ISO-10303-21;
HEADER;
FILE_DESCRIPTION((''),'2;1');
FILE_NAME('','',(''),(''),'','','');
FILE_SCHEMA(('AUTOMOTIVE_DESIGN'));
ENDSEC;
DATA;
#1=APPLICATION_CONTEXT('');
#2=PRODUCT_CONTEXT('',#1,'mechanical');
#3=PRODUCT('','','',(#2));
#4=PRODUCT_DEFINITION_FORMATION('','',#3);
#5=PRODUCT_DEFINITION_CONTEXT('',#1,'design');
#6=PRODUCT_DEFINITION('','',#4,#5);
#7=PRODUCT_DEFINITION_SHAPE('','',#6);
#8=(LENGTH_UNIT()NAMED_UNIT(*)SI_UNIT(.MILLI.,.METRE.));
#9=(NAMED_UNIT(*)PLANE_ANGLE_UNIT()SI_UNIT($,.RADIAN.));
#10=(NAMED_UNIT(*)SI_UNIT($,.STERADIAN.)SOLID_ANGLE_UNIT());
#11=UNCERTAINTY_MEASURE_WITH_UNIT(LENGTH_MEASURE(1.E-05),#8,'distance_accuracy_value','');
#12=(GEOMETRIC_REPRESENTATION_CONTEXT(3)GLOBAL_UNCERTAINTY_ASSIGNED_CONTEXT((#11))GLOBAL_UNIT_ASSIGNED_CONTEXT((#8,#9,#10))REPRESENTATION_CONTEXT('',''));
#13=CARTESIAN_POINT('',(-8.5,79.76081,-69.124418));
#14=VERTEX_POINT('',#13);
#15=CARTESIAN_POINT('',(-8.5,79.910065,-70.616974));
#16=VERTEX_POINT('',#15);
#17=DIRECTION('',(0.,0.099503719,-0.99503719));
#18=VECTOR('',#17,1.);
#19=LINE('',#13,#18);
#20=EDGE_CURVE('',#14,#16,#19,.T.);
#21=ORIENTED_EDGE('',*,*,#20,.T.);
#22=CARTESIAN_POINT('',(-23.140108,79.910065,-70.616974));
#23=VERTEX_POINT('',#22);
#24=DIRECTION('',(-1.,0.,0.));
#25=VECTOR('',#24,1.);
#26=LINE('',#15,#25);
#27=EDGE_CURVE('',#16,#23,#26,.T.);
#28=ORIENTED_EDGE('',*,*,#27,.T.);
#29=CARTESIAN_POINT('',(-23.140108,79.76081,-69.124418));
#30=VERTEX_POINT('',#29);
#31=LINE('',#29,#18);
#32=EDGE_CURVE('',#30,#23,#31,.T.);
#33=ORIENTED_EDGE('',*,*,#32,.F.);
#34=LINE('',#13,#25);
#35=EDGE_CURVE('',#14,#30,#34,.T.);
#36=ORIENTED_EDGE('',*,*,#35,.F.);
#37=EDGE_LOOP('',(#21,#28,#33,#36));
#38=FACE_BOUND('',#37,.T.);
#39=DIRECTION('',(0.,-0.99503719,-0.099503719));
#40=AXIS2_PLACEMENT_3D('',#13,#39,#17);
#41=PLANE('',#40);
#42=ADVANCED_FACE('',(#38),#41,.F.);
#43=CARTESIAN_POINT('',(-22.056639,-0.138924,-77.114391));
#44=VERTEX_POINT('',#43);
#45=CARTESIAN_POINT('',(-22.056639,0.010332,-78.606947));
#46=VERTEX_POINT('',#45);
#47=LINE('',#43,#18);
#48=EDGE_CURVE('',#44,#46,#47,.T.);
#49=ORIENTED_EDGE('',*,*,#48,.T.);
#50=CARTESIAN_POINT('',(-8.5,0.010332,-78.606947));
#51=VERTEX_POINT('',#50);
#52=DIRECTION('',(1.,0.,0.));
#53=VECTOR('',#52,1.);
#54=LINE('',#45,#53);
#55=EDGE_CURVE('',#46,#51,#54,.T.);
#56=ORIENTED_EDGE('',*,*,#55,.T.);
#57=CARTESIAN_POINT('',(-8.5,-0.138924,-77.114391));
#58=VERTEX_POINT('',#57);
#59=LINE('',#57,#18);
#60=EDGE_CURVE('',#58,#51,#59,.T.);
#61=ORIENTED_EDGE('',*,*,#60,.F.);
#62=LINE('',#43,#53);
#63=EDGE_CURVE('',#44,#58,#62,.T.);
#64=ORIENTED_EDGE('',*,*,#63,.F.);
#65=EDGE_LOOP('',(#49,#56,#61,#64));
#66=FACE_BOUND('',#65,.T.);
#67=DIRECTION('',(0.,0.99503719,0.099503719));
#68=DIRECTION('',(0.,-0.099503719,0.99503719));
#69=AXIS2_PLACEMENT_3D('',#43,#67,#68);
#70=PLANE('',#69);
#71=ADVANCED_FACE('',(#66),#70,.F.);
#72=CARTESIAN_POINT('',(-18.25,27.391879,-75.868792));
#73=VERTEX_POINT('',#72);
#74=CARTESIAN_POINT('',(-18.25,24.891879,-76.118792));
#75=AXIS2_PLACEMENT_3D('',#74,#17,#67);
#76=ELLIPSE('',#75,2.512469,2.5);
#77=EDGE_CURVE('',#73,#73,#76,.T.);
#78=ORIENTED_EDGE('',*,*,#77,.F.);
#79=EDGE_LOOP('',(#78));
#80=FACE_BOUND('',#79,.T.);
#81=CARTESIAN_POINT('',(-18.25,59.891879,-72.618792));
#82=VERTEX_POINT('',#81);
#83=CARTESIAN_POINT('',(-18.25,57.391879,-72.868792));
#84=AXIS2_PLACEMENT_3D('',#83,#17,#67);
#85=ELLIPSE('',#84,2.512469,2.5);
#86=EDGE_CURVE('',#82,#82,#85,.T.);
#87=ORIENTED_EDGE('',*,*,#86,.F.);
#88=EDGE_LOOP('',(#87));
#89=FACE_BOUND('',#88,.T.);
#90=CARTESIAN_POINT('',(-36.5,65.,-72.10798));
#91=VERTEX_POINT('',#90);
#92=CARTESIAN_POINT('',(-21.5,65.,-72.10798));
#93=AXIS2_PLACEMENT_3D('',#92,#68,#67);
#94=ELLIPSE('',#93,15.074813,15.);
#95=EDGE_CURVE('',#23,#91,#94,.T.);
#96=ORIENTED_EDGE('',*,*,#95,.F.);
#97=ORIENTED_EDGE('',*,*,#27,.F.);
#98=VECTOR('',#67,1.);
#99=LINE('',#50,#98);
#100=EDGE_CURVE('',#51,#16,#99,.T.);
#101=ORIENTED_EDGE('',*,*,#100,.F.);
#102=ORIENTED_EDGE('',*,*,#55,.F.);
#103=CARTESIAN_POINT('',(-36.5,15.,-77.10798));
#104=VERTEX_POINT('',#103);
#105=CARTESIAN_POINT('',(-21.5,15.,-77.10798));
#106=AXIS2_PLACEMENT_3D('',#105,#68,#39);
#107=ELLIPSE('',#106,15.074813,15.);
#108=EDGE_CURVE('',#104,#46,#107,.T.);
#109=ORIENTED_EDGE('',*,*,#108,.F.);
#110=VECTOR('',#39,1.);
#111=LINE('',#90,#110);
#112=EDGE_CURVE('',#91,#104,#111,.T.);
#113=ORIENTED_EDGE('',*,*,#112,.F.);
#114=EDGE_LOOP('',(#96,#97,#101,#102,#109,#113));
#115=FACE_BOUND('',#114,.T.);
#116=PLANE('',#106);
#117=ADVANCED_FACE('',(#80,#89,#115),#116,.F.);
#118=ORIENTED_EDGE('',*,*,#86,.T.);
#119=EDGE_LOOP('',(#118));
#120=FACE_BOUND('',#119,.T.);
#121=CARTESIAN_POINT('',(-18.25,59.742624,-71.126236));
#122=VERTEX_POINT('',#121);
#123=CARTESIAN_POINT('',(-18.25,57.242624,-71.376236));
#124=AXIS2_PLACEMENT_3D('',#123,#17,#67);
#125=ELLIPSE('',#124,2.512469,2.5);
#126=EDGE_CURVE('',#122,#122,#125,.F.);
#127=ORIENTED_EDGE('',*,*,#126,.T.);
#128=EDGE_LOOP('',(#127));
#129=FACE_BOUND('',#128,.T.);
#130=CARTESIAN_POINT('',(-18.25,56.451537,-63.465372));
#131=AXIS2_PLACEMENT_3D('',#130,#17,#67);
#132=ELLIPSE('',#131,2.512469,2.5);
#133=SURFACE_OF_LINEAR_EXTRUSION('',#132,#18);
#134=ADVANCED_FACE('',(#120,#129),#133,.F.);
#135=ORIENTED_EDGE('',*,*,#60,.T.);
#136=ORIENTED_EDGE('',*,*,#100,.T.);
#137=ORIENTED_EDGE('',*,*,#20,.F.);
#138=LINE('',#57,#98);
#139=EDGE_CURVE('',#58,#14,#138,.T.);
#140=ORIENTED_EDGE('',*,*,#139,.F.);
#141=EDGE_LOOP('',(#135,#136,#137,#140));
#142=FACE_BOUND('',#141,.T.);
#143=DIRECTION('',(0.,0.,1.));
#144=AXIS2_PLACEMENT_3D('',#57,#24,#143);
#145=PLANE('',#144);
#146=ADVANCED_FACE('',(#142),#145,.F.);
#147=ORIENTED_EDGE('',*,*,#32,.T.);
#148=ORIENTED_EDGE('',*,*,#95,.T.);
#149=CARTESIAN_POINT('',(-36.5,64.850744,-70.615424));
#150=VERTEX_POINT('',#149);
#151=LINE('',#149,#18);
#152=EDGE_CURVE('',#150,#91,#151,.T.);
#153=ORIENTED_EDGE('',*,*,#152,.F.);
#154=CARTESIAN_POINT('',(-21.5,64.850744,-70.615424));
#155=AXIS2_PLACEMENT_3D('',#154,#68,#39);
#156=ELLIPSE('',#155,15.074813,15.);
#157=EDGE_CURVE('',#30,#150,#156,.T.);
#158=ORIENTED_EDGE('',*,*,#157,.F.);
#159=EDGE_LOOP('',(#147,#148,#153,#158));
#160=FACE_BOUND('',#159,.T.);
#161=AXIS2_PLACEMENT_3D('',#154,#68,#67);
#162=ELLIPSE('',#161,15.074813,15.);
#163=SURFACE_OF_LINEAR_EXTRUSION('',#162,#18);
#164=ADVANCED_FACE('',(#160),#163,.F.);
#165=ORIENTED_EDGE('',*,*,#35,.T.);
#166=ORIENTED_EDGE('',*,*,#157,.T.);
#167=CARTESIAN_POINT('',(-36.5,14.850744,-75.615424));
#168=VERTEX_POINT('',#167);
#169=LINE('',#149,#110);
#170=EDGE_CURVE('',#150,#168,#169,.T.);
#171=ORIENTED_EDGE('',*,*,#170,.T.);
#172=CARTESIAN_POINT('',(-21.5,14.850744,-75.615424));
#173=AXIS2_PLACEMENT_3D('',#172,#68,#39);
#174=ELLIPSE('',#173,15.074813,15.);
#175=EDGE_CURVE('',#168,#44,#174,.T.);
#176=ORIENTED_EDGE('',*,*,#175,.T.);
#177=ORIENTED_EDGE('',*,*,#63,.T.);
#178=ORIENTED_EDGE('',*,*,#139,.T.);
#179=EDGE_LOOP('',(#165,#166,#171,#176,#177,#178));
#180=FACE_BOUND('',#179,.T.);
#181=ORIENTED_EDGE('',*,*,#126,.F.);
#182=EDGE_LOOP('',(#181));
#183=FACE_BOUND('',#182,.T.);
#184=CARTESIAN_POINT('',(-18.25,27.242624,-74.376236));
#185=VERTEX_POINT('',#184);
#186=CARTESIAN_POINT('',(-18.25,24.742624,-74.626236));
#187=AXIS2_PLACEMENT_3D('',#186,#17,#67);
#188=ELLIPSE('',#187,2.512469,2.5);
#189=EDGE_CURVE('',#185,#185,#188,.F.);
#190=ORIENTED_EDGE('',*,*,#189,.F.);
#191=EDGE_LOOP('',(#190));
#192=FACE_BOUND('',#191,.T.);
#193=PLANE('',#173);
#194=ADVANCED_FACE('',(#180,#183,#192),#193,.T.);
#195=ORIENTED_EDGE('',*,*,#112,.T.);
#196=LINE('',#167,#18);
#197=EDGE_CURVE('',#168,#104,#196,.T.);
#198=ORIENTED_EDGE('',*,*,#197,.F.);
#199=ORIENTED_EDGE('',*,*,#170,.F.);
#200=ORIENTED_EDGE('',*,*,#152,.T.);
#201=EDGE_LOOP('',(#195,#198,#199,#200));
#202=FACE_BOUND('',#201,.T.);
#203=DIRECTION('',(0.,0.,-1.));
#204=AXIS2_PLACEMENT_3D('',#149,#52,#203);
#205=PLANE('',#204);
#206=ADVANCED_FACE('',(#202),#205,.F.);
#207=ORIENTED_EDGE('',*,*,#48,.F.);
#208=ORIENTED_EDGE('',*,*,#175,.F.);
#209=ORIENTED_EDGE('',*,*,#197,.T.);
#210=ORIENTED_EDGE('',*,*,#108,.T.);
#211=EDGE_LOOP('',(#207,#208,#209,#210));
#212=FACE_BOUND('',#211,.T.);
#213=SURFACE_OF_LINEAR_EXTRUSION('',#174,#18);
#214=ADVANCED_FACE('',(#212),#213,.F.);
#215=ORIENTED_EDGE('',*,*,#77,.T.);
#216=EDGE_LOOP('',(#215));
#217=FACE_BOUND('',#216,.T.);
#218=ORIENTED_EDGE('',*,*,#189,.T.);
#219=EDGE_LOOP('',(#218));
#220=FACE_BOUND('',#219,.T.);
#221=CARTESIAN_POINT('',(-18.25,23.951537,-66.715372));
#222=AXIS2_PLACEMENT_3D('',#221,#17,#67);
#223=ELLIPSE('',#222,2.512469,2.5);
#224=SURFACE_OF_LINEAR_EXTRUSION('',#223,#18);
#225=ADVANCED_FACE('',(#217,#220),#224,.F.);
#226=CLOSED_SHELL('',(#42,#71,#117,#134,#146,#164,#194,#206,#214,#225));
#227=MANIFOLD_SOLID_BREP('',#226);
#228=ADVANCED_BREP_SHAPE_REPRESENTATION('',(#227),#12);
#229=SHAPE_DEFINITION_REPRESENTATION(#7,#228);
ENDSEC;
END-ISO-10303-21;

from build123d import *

# Parameters (mm, degrees)
BOSS_EXTRUDE2_DEPTH = 1.5
SKETCH2_RX          = 2.512468905
SKETCH2_RY          = 2.5
CUT_EXTRUDE1_DEPTH  = 82.304057571


with BuildPart() as part:
    # Sketch1 → Boss-Extrude2 (new body)
    with BuildSketch(Plane(origin=(0, 7.782968327, -77.829683267), x_dir=(1, 0, 0), z_dir=(0, -0.09950371902099842, 0.9950371902099893))):
        with BuildLine():
            Line((-22.056639236, -7.811403035), (-8.5, -7.811403035))
            Line((-8.5, -7.811403035), (-8.5, 72.486835274))
            Line((-8.5, 72.486835274), (-23.140108221, 72.486835274))
            add(Edge.make_bspline(
                [(-23.140108221, 72.486835274), (-33.185752444, 71.376302341), (-35.93451502, 61.602554427)],
                knots=[3.25115225, 3.25115225, 3.25115225, 4.436931985, 4.436931985, 4.436931985], degree=2, weights=[1, 0.829329402, 1]))
            add(Edge.make_bspline(
                [(-35.93451502, 61.602554427), (-36.5, 59.591865073), (-36.5, 57.502405173)],
                knots=[1.295339331, 1.295339331, 1.295339331, 1.570796327, 1.570796327, 1.570796327], degree=2, weights=[1, 0.990530414, 1]))
            Line((-36.5, 57.502405173), (-36.5, 7.253027067))
            add(Edge.make_bspline(
                [(-36.5, 7.253027067), (-36.5, -7.272375759), (-22.056639236, -7.811403035)],
                knots=[4.71238898, 4.71238898, 4.71238898, 6.246067502, 6.246067502, 6.246067502], degree=2, weights=[1, 0.720107382, 1]))
        make_face()
    extrude(amount=BOSS_EXTRUDE2_DEPTH)

    # Sketch2 → Cut-Extrude1 (cut, through all)
    with BuildSketch(Plane(origin=(0, 7.782968327, -77.829683267), x_dir=(-1, 0, 0), z_dir=(0, 0.0995037190209984, -0.9950371902099893))):
        with Locations(Location((18.25, 17.194242647), (0, 0, 90))):
            Ellipse(SKETCH2_RX, SKETCH2_RY)
        with Locations(Location((18.25, 49.856338415), (0, 0, 90))):
            Ellipse(SKETCH2_RX, SKETCH2_RY)
    extrude(amount=-CUT_EXTRUDE1_DEPTH, mode=Mode.SUBTRACT)


solid = part.part
